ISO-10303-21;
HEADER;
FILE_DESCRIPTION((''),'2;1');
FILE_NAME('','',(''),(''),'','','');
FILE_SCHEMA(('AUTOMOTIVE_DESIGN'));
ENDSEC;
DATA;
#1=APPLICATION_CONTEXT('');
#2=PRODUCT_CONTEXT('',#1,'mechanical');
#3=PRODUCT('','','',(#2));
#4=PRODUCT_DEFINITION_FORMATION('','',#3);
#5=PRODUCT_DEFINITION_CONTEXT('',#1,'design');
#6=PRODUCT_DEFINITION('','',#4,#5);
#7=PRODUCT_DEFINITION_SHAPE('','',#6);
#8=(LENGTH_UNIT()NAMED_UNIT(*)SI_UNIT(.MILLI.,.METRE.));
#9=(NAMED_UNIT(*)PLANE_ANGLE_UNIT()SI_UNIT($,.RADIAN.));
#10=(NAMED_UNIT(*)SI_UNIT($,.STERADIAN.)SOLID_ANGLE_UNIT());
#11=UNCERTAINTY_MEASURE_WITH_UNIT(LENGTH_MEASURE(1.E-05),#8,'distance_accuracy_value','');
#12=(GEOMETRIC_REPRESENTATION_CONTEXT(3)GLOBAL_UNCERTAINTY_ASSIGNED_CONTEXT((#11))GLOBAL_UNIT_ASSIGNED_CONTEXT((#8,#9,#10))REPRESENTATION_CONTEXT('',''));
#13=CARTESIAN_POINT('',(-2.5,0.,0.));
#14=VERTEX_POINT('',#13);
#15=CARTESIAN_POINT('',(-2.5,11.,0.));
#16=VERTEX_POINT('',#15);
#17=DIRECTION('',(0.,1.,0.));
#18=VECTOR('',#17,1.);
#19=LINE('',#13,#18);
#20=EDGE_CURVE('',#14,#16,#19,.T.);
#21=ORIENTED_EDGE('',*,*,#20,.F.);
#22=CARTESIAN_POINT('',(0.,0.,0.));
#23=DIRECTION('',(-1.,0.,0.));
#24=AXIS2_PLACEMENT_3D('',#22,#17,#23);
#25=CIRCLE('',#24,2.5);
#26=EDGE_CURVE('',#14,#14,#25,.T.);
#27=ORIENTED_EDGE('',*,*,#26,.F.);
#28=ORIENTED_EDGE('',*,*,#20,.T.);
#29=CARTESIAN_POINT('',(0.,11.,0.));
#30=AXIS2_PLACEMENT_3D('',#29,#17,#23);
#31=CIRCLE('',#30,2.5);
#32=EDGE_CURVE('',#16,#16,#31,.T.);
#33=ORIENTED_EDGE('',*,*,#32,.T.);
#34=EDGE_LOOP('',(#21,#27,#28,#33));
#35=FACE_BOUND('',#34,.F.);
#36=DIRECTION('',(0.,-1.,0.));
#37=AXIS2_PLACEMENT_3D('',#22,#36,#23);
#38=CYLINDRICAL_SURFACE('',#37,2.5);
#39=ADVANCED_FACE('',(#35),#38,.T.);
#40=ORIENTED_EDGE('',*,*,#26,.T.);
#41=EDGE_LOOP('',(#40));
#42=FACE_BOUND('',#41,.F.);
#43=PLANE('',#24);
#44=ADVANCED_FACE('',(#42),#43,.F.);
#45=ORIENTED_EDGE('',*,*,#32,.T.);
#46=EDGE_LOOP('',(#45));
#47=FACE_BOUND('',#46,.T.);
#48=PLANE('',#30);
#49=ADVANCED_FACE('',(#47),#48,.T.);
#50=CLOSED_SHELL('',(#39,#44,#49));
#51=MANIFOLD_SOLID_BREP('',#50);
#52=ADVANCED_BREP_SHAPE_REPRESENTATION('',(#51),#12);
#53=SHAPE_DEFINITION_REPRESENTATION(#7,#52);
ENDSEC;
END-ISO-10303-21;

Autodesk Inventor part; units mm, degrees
ref_plane "YZ Plane" through (0, 0, 0) normal (1, 0, 0) x (0, 1, 0)
ref_plane "XZ Plane" through (0, 0, 0) normal (0, 1, 0) x (-1, 0, 0)
ref_plane "XY Plane" through (0, 0, 0) normal (0, 0, 1) x (1, 0, 0)
sketch "Sketch1" plane through (0, 0, 0) normal (0, 1, 0) x (-1, 0, 0)
  circle A0 centre (0, 0) radius 2.5
  dimension "d0" = 5
extrude "Extrusion1" add sketch "Sketch1" along normal blind 11
properties part number "CUT_STEEL_5x11mm_Rod"
